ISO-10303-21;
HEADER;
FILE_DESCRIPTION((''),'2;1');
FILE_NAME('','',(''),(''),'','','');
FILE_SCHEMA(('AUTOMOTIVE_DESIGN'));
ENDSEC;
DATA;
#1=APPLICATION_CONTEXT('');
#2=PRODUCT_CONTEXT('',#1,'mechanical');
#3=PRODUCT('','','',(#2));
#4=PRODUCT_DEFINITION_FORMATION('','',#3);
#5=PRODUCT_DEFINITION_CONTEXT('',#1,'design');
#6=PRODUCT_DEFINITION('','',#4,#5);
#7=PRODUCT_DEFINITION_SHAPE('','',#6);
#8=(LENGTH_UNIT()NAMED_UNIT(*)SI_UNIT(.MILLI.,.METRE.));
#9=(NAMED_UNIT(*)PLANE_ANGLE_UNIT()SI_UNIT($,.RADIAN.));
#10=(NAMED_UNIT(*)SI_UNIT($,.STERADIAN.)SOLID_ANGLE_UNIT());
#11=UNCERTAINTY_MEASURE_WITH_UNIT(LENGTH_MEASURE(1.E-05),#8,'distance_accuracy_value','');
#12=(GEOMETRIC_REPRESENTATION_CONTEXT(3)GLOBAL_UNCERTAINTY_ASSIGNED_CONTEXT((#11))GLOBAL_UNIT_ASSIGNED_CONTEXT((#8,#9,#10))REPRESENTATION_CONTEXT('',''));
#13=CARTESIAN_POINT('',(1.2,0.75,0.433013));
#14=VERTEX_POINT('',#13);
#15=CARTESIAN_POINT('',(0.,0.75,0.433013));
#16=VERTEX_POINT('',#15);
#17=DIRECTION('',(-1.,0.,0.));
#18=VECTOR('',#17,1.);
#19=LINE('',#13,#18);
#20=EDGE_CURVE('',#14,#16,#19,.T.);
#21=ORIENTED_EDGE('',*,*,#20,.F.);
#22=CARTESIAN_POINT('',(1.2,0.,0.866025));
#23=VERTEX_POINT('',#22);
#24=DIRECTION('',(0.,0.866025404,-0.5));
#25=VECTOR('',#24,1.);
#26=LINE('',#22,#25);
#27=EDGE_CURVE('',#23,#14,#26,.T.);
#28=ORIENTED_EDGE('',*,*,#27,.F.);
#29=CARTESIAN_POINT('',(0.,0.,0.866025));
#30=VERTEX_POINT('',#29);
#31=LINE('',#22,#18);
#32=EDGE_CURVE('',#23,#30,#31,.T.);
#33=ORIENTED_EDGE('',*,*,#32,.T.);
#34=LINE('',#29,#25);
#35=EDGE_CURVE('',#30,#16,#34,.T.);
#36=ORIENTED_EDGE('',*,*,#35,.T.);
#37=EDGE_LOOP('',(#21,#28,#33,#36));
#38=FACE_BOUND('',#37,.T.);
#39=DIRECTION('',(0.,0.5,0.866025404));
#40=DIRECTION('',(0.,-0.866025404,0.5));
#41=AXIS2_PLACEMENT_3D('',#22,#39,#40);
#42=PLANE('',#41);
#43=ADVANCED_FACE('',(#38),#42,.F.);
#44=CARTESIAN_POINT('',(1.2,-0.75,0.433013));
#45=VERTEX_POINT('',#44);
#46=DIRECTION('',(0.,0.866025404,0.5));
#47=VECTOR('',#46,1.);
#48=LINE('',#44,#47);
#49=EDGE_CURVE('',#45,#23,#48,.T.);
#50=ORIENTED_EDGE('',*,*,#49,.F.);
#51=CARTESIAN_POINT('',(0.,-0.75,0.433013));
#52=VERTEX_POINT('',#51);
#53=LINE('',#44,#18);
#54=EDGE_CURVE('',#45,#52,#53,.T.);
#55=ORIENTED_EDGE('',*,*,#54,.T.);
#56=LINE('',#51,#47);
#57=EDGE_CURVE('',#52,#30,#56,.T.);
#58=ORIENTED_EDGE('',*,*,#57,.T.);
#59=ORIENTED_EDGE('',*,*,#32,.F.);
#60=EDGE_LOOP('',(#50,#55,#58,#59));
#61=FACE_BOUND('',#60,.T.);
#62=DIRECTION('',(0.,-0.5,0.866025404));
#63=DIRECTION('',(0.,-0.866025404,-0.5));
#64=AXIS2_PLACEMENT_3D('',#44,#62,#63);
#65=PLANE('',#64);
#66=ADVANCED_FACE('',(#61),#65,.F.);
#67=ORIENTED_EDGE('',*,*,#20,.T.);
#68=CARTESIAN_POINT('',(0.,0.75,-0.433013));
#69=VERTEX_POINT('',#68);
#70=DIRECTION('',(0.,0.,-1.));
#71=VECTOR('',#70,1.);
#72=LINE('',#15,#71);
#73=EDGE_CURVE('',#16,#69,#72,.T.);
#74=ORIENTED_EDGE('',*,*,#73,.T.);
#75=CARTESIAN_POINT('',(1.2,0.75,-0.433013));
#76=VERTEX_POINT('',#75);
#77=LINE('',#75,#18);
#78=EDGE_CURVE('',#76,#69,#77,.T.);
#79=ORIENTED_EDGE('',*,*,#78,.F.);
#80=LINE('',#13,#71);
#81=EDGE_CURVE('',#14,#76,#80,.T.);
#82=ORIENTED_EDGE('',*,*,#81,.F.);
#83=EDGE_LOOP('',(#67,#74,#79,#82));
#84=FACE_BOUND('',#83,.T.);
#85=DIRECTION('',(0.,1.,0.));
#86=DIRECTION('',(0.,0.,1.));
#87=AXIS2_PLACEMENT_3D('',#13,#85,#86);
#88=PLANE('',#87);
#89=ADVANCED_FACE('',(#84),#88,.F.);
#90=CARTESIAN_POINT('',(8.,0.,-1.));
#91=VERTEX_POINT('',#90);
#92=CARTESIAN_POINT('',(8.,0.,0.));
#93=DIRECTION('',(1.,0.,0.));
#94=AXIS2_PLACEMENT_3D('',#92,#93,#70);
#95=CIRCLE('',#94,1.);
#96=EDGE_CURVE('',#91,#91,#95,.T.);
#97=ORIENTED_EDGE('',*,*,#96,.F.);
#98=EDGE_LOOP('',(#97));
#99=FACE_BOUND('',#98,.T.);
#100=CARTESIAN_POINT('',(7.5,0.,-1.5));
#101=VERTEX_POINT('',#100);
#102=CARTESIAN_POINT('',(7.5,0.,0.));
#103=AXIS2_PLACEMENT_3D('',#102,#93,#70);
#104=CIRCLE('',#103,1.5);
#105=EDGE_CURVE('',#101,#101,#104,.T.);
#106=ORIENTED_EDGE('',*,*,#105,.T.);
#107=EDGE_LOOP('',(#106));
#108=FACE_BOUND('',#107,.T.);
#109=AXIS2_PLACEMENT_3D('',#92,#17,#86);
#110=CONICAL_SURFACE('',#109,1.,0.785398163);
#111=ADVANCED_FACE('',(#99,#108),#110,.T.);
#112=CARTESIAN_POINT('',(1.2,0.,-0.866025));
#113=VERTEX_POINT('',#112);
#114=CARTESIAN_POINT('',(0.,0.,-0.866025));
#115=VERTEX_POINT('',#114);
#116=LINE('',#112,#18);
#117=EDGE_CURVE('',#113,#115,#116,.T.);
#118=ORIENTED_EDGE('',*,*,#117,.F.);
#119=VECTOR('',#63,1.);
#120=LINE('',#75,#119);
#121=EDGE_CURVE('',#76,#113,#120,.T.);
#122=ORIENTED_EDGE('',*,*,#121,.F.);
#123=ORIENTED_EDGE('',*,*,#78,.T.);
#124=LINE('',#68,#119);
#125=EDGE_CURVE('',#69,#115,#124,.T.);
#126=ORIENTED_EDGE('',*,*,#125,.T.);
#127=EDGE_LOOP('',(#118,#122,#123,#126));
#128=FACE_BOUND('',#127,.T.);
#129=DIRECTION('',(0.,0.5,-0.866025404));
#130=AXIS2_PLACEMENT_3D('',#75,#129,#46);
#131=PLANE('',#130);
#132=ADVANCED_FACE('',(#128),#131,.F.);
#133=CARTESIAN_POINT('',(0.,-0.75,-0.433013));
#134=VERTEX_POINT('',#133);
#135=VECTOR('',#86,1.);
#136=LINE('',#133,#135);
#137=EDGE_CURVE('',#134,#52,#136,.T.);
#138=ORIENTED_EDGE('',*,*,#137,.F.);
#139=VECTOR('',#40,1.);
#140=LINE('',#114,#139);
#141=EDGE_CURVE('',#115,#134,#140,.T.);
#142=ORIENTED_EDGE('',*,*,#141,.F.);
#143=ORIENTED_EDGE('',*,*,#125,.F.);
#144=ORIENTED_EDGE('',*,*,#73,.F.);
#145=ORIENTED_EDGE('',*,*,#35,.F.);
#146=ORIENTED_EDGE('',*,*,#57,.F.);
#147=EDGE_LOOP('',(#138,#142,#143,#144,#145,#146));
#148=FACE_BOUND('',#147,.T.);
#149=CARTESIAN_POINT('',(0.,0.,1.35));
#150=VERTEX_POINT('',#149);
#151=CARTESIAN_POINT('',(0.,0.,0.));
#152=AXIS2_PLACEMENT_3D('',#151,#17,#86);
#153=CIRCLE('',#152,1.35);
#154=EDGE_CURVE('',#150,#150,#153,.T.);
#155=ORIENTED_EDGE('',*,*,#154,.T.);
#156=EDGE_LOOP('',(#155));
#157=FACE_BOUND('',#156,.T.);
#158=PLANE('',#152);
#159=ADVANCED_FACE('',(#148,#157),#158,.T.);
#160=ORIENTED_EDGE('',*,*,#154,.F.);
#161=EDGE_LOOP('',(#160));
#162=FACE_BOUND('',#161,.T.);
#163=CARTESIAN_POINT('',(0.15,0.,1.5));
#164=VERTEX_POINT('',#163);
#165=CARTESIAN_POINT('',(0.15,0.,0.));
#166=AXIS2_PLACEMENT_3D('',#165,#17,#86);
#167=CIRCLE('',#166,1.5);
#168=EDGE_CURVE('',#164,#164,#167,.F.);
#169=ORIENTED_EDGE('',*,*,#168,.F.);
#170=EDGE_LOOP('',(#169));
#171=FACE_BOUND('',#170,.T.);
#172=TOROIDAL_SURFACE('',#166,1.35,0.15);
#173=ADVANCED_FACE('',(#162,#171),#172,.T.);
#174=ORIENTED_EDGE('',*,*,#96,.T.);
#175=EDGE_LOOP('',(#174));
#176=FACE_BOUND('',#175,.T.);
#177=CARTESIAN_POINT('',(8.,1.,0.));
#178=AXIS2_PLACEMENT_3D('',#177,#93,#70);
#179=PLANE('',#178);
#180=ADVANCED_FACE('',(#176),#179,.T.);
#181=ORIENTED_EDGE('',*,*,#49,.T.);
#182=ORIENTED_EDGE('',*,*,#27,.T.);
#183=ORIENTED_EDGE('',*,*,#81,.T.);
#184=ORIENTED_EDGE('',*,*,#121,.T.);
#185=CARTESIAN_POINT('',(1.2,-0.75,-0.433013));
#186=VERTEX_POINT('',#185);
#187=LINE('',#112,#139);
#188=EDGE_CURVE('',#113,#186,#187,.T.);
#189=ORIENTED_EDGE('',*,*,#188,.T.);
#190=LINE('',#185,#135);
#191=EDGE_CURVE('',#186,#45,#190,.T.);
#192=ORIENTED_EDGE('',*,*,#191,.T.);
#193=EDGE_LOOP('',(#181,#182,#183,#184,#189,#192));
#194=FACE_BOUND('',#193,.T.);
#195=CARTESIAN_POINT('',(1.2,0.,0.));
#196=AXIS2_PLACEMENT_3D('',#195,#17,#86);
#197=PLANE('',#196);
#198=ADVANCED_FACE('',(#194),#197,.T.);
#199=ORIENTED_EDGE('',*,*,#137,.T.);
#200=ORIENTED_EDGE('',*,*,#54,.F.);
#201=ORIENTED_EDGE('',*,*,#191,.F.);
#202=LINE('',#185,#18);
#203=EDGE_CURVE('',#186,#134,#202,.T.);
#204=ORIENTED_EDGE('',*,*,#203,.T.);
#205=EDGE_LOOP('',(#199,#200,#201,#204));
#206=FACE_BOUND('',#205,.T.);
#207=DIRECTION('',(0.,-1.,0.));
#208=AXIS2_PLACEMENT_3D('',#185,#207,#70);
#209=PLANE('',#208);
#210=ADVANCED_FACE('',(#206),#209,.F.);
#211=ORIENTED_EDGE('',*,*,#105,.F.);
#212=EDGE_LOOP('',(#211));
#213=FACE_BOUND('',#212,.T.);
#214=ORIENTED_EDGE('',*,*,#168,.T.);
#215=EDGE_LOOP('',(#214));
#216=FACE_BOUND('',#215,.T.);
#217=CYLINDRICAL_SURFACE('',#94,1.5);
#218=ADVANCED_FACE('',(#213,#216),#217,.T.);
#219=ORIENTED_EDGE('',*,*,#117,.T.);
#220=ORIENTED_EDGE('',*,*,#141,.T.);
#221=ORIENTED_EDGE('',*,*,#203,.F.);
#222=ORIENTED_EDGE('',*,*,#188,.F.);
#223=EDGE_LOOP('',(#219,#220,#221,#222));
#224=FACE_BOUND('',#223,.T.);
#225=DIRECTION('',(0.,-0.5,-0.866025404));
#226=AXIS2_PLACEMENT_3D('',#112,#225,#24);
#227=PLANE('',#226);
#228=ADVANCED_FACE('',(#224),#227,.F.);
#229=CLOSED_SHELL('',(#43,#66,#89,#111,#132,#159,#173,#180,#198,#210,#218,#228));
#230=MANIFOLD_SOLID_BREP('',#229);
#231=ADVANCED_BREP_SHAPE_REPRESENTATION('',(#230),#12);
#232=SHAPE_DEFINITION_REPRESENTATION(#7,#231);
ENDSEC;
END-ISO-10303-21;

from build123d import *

# Parameters (mm, degrees)
CUT_EXTRUDE1_DEPTH = 1.2
FILLET1_R          = 0.15


with BuildPart() as part:
    # Sketch1 → Revolve1 (revolve)
    with BuildSketch(Plane.XY, mode=Mode.PRIVATE) as revolve1_sk:
        Polygon((0, 0), (0, 1.5), (7.5, 1.5), (8, 1), (8, 0), align=None)
    revolve(revolve1_sk.sketch.rotate(Axis((8, 0, 0), (-1, 0, 0)), 90), axis=Axis((8, 0, 0), (-1, 0, 0)))

    # Sketch2 → Cut-Extrude1 (cut)
    with BuildSketch(Plane.ZY):
        Polygon((0.433012702, 0.75), (-0.433012702, 0.75), (-0.866025404, 0), (-0.433012702, -0.75), (0.433012702, -0.75), (0.866025404, 0), align=None)
    extrude(amount=-CUT_EXTRUDE1_DEPTH, mode=Mode.SUBTRACT)

    # Fillet1
    fillet1_edges = [part.edges().sort_by_distance(p)[0] for p in [
        (0, 0, 1.5),
    ]]
    fillet(fillet1_edges, radius=FILLET1_R)


solid = part.part
